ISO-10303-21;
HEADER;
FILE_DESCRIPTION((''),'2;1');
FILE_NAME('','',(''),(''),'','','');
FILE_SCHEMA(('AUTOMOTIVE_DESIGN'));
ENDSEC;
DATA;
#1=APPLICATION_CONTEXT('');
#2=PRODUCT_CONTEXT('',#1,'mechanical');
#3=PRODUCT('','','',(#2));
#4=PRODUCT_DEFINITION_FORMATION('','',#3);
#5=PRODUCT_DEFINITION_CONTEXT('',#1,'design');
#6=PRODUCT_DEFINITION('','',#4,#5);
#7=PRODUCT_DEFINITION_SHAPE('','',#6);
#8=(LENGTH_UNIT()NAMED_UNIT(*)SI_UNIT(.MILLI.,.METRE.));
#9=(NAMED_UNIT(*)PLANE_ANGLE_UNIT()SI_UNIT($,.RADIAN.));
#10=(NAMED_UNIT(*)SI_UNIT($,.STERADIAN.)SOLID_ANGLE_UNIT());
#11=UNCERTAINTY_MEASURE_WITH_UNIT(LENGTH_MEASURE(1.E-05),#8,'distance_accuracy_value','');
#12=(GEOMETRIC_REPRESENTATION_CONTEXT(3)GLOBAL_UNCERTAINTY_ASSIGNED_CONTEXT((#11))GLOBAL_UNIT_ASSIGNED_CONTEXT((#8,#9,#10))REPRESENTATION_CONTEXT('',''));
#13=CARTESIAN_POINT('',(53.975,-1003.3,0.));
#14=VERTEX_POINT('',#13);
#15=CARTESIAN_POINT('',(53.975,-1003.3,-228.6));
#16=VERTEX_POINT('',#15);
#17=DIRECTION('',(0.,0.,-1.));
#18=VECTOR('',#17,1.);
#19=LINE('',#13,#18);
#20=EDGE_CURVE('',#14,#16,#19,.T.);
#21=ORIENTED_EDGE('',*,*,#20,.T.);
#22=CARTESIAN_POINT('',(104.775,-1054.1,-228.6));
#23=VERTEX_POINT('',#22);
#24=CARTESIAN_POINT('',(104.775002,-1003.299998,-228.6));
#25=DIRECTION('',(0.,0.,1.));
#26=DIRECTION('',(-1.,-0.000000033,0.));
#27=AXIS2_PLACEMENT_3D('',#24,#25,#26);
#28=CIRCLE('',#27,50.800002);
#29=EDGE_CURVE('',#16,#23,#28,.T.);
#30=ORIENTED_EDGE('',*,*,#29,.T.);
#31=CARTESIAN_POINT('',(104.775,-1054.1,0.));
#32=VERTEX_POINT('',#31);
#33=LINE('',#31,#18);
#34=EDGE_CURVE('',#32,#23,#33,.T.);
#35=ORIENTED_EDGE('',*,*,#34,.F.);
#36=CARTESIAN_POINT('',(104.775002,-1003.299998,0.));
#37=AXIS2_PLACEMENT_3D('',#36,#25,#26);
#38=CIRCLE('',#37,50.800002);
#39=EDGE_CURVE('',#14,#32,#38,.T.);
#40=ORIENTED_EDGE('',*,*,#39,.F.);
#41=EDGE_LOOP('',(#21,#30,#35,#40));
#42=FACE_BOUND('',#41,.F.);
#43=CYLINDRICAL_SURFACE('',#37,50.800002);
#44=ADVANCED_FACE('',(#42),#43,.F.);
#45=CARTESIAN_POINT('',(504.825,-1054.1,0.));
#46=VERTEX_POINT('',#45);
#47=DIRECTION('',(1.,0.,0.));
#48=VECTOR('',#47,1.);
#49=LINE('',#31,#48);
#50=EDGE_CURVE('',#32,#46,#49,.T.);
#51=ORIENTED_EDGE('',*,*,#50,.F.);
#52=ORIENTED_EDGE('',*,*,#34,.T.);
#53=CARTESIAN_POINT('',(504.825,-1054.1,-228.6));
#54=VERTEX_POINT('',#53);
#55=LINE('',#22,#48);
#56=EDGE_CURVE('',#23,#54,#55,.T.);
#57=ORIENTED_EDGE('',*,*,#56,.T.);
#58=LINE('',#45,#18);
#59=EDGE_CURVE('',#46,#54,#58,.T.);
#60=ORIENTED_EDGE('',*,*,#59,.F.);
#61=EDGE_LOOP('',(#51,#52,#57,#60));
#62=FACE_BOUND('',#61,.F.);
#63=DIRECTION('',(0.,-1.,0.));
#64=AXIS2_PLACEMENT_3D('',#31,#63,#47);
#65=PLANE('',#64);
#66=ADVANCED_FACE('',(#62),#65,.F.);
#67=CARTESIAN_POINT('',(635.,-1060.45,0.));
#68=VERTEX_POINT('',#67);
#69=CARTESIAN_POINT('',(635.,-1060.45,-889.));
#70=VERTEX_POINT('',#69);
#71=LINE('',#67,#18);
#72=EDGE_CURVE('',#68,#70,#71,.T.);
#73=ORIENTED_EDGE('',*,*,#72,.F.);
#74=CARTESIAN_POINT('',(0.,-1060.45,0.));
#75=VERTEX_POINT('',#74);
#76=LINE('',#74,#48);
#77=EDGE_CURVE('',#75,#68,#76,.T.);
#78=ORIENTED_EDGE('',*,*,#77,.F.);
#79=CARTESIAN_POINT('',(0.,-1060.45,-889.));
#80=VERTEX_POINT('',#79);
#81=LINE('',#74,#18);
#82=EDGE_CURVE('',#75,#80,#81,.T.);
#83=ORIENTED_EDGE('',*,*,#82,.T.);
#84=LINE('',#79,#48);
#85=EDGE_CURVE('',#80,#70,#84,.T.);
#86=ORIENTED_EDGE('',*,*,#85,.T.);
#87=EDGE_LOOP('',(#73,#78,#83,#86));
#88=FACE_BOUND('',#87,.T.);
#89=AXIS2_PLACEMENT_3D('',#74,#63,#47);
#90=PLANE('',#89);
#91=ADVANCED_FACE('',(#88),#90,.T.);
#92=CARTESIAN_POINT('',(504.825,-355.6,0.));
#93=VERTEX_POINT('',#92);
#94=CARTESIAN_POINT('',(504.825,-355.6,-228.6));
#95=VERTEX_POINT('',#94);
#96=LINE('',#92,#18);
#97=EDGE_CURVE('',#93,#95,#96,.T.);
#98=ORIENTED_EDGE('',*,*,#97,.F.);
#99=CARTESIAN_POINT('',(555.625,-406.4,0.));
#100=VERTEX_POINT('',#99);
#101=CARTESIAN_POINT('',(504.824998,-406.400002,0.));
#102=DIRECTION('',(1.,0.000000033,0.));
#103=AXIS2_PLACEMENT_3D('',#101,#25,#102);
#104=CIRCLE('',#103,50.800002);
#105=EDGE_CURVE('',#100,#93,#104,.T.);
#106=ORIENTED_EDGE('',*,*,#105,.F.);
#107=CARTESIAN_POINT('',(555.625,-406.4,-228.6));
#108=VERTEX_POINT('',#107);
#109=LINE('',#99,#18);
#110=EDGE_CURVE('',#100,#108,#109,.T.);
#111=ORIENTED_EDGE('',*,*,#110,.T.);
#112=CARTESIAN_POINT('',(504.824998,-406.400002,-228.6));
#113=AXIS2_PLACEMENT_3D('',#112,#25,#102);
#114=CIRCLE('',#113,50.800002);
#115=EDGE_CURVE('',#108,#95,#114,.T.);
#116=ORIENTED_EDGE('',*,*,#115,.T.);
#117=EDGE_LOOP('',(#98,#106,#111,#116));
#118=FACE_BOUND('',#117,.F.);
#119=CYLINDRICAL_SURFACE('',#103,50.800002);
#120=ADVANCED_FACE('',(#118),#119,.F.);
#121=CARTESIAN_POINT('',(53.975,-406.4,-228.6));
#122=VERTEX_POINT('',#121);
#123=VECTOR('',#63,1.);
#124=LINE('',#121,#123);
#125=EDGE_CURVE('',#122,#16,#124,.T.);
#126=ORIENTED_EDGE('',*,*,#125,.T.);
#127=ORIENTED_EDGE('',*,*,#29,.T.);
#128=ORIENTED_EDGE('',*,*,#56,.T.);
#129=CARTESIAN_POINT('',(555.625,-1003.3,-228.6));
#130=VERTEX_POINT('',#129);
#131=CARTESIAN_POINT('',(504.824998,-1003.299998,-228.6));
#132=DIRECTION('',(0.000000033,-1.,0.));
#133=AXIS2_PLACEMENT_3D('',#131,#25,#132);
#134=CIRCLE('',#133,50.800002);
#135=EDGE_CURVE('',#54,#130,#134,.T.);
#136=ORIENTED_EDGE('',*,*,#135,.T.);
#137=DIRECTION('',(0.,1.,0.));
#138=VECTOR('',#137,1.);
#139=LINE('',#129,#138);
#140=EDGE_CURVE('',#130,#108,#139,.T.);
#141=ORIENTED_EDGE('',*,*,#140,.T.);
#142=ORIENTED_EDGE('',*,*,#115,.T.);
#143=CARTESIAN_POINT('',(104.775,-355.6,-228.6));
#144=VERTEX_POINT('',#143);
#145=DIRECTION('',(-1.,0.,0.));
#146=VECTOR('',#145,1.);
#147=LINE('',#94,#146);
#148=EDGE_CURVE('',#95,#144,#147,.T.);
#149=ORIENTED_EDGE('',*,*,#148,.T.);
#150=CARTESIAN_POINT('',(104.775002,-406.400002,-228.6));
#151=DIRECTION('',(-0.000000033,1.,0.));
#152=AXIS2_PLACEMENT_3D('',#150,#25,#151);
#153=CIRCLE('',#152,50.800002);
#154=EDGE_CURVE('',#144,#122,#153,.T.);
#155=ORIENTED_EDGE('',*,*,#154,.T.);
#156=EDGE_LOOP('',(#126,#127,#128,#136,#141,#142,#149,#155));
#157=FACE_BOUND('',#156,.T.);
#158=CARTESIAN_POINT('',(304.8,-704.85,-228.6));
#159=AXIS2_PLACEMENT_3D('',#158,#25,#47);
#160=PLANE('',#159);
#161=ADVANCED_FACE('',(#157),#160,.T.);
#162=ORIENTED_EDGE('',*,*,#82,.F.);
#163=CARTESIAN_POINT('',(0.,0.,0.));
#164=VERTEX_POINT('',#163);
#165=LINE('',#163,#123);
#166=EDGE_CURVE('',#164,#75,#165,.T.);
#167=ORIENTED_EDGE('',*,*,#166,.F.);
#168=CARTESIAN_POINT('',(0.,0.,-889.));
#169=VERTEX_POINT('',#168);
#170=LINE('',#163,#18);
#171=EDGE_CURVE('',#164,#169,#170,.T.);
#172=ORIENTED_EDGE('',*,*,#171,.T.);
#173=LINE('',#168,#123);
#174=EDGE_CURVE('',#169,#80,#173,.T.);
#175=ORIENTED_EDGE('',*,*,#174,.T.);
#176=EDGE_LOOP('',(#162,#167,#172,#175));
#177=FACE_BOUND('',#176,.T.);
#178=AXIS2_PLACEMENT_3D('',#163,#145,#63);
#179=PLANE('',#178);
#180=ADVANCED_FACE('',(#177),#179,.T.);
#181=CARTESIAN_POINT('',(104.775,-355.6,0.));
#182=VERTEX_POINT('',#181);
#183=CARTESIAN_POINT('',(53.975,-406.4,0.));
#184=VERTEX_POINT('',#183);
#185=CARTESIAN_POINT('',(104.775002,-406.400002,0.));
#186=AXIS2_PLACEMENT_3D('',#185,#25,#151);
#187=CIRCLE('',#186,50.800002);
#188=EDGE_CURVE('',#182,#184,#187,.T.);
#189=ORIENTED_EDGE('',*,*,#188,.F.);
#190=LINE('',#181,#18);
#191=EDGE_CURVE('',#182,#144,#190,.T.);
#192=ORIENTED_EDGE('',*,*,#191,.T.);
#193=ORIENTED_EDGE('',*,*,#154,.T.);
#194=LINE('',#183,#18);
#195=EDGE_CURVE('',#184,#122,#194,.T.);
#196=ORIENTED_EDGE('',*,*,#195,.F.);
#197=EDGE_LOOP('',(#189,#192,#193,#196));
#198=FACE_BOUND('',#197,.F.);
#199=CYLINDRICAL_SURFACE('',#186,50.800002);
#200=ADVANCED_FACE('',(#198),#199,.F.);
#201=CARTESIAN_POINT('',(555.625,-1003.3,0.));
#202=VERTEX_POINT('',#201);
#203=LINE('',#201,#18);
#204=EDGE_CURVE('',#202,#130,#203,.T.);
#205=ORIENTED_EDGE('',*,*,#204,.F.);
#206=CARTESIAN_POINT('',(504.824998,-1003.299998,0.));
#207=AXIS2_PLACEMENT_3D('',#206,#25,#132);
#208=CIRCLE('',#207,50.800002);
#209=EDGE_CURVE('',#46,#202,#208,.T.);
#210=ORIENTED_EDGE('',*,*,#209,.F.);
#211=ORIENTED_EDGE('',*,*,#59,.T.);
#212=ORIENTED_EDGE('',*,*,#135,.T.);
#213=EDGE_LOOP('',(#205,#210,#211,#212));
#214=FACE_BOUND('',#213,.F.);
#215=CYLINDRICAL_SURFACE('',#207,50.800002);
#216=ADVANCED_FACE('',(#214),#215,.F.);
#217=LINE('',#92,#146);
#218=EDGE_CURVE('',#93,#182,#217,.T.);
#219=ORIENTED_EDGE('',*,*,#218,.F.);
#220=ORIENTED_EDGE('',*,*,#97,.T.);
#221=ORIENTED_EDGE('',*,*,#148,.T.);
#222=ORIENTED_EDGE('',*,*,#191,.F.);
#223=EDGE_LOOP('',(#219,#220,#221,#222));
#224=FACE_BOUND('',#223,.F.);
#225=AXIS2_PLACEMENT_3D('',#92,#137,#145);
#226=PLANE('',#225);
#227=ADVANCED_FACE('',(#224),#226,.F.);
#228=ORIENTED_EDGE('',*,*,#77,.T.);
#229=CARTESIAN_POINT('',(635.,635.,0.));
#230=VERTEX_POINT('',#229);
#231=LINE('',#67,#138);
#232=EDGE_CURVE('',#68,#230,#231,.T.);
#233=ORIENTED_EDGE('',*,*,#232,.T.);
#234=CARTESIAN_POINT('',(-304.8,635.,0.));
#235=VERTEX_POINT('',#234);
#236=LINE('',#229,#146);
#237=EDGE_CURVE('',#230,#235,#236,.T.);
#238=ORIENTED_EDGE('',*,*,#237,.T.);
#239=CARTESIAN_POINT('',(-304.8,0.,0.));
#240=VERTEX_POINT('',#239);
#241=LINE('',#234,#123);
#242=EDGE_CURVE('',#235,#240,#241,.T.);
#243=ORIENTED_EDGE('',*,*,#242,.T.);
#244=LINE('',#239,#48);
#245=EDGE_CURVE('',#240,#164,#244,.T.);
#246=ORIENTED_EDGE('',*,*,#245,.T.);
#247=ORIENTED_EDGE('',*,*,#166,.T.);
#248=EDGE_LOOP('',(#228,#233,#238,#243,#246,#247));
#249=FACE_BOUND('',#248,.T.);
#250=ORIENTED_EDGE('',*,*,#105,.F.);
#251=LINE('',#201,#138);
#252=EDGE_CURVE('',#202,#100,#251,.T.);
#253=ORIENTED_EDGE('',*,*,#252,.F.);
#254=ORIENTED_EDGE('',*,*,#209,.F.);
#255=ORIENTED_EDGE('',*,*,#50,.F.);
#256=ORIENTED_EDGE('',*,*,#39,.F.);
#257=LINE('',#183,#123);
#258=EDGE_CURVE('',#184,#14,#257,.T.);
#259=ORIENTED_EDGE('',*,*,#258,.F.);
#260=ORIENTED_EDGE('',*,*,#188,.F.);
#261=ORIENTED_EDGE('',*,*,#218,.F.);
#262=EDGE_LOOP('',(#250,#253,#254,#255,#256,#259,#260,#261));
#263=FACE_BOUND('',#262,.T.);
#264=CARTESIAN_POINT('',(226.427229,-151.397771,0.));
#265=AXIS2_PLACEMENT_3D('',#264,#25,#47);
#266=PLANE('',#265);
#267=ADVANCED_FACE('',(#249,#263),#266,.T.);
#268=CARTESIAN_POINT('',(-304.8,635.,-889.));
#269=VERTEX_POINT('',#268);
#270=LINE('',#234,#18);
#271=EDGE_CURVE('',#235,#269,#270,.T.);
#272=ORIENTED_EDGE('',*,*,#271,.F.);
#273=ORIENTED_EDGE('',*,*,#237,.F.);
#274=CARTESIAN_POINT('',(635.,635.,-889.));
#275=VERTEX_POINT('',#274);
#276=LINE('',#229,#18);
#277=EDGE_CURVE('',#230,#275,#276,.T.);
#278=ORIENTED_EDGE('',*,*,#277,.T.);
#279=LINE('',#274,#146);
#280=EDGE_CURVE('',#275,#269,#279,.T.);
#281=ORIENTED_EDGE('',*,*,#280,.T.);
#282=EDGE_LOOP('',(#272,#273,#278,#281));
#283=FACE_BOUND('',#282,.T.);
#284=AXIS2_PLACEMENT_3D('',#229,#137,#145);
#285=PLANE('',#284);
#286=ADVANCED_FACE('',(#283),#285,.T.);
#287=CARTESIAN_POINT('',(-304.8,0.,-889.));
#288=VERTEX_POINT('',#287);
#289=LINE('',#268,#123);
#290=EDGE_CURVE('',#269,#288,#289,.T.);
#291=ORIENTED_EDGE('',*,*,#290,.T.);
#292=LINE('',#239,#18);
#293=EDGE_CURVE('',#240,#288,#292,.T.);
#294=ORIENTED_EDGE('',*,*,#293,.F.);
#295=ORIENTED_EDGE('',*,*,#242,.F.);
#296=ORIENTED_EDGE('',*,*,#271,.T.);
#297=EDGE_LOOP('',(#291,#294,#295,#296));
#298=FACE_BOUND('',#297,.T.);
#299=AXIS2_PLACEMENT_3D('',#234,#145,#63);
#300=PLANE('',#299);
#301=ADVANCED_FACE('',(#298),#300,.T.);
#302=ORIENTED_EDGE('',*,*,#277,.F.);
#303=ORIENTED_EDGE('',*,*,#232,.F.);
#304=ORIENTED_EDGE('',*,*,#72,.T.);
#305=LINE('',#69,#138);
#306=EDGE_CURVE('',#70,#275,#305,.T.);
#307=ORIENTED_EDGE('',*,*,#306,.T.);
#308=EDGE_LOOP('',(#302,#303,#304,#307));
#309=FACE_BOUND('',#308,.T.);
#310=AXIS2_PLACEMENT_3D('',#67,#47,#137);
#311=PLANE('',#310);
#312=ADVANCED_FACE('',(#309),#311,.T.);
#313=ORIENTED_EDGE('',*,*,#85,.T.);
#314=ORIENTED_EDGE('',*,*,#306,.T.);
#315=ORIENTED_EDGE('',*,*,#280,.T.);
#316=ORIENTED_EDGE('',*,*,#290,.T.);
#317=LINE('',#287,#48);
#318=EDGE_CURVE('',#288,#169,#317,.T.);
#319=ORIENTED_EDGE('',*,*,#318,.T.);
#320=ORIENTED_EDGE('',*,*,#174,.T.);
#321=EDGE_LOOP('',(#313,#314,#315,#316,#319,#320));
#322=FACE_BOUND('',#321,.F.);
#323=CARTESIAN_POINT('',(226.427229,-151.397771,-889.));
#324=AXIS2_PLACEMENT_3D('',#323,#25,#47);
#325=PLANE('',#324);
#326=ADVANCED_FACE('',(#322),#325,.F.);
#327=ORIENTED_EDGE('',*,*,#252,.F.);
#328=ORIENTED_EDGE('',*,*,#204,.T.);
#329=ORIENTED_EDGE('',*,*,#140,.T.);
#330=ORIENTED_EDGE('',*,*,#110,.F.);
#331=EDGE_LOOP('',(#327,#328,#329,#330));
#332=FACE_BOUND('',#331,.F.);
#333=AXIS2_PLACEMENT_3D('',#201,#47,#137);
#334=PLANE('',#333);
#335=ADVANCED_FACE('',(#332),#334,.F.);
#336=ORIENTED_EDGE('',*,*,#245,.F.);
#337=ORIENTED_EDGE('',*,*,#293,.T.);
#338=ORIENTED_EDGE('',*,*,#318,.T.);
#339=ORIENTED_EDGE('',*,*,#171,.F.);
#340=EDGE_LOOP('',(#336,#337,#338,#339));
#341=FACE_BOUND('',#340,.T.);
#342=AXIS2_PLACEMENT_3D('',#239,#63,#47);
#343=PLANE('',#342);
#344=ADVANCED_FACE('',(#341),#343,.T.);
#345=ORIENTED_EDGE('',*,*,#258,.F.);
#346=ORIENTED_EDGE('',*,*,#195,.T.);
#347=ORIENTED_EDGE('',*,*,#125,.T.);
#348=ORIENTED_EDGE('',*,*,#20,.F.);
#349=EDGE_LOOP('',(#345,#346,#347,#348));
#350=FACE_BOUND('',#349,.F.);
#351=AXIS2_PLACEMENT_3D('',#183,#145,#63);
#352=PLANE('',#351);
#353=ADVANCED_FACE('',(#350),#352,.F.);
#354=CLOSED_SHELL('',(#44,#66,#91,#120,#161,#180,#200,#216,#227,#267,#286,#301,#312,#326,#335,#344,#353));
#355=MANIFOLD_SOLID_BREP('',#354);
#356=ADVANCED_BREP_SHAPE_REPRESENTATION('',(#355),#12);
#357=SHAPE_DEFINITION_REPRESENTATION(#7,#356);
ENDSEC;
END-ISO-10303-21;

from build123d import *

# Parameters (mm, degrees)
F1_DEPTH = 889
F3_DEPTH = 228.6


with BuildPart() as f1:
    # F0 (on Top) → F1 (new body)
    with BuildSketch(Plane.XY):
        Polygon((-304.8, 0), (0, 0), (0, -1060.45), (635, -1060.45), (635, 635), (-304.8, 635), align=None)
    extrude(amount=-F1_DEPTH)

    # F2 (on face) → F3 (cut)
    with BuildSketch(Plane.XY):
        with BuildLine():
            Line((504.825, -355.6), (104.775, -355.6))
            ThreePointArc((104.775, -355.6), (68.853976, -370.478976), (53.975, -406.4))
            Line((53.975, -406.4), (53.975, -1003.3))
            ThreePointArc((53.975, -1003.3), (68.853976, -1039.221024), (104.775, -1054.1))
            Line((104.775, -1054.1), (504.825, -1054.1))
            ThreePointArc((504.825, -1054.1), (540.746024, -1039.221024), (555.625, -1003.3))
            Line((555.625, -1003.3), (555.625, -406.4))
            ThreePointArc((555.625, -406.4), (540.746024, -370.478976), (504.825, -355.6))
        make_face()
    extrude(amount=-F3_DEPTH, mode=Mode.SUBTRACT)


solid = f1.part
